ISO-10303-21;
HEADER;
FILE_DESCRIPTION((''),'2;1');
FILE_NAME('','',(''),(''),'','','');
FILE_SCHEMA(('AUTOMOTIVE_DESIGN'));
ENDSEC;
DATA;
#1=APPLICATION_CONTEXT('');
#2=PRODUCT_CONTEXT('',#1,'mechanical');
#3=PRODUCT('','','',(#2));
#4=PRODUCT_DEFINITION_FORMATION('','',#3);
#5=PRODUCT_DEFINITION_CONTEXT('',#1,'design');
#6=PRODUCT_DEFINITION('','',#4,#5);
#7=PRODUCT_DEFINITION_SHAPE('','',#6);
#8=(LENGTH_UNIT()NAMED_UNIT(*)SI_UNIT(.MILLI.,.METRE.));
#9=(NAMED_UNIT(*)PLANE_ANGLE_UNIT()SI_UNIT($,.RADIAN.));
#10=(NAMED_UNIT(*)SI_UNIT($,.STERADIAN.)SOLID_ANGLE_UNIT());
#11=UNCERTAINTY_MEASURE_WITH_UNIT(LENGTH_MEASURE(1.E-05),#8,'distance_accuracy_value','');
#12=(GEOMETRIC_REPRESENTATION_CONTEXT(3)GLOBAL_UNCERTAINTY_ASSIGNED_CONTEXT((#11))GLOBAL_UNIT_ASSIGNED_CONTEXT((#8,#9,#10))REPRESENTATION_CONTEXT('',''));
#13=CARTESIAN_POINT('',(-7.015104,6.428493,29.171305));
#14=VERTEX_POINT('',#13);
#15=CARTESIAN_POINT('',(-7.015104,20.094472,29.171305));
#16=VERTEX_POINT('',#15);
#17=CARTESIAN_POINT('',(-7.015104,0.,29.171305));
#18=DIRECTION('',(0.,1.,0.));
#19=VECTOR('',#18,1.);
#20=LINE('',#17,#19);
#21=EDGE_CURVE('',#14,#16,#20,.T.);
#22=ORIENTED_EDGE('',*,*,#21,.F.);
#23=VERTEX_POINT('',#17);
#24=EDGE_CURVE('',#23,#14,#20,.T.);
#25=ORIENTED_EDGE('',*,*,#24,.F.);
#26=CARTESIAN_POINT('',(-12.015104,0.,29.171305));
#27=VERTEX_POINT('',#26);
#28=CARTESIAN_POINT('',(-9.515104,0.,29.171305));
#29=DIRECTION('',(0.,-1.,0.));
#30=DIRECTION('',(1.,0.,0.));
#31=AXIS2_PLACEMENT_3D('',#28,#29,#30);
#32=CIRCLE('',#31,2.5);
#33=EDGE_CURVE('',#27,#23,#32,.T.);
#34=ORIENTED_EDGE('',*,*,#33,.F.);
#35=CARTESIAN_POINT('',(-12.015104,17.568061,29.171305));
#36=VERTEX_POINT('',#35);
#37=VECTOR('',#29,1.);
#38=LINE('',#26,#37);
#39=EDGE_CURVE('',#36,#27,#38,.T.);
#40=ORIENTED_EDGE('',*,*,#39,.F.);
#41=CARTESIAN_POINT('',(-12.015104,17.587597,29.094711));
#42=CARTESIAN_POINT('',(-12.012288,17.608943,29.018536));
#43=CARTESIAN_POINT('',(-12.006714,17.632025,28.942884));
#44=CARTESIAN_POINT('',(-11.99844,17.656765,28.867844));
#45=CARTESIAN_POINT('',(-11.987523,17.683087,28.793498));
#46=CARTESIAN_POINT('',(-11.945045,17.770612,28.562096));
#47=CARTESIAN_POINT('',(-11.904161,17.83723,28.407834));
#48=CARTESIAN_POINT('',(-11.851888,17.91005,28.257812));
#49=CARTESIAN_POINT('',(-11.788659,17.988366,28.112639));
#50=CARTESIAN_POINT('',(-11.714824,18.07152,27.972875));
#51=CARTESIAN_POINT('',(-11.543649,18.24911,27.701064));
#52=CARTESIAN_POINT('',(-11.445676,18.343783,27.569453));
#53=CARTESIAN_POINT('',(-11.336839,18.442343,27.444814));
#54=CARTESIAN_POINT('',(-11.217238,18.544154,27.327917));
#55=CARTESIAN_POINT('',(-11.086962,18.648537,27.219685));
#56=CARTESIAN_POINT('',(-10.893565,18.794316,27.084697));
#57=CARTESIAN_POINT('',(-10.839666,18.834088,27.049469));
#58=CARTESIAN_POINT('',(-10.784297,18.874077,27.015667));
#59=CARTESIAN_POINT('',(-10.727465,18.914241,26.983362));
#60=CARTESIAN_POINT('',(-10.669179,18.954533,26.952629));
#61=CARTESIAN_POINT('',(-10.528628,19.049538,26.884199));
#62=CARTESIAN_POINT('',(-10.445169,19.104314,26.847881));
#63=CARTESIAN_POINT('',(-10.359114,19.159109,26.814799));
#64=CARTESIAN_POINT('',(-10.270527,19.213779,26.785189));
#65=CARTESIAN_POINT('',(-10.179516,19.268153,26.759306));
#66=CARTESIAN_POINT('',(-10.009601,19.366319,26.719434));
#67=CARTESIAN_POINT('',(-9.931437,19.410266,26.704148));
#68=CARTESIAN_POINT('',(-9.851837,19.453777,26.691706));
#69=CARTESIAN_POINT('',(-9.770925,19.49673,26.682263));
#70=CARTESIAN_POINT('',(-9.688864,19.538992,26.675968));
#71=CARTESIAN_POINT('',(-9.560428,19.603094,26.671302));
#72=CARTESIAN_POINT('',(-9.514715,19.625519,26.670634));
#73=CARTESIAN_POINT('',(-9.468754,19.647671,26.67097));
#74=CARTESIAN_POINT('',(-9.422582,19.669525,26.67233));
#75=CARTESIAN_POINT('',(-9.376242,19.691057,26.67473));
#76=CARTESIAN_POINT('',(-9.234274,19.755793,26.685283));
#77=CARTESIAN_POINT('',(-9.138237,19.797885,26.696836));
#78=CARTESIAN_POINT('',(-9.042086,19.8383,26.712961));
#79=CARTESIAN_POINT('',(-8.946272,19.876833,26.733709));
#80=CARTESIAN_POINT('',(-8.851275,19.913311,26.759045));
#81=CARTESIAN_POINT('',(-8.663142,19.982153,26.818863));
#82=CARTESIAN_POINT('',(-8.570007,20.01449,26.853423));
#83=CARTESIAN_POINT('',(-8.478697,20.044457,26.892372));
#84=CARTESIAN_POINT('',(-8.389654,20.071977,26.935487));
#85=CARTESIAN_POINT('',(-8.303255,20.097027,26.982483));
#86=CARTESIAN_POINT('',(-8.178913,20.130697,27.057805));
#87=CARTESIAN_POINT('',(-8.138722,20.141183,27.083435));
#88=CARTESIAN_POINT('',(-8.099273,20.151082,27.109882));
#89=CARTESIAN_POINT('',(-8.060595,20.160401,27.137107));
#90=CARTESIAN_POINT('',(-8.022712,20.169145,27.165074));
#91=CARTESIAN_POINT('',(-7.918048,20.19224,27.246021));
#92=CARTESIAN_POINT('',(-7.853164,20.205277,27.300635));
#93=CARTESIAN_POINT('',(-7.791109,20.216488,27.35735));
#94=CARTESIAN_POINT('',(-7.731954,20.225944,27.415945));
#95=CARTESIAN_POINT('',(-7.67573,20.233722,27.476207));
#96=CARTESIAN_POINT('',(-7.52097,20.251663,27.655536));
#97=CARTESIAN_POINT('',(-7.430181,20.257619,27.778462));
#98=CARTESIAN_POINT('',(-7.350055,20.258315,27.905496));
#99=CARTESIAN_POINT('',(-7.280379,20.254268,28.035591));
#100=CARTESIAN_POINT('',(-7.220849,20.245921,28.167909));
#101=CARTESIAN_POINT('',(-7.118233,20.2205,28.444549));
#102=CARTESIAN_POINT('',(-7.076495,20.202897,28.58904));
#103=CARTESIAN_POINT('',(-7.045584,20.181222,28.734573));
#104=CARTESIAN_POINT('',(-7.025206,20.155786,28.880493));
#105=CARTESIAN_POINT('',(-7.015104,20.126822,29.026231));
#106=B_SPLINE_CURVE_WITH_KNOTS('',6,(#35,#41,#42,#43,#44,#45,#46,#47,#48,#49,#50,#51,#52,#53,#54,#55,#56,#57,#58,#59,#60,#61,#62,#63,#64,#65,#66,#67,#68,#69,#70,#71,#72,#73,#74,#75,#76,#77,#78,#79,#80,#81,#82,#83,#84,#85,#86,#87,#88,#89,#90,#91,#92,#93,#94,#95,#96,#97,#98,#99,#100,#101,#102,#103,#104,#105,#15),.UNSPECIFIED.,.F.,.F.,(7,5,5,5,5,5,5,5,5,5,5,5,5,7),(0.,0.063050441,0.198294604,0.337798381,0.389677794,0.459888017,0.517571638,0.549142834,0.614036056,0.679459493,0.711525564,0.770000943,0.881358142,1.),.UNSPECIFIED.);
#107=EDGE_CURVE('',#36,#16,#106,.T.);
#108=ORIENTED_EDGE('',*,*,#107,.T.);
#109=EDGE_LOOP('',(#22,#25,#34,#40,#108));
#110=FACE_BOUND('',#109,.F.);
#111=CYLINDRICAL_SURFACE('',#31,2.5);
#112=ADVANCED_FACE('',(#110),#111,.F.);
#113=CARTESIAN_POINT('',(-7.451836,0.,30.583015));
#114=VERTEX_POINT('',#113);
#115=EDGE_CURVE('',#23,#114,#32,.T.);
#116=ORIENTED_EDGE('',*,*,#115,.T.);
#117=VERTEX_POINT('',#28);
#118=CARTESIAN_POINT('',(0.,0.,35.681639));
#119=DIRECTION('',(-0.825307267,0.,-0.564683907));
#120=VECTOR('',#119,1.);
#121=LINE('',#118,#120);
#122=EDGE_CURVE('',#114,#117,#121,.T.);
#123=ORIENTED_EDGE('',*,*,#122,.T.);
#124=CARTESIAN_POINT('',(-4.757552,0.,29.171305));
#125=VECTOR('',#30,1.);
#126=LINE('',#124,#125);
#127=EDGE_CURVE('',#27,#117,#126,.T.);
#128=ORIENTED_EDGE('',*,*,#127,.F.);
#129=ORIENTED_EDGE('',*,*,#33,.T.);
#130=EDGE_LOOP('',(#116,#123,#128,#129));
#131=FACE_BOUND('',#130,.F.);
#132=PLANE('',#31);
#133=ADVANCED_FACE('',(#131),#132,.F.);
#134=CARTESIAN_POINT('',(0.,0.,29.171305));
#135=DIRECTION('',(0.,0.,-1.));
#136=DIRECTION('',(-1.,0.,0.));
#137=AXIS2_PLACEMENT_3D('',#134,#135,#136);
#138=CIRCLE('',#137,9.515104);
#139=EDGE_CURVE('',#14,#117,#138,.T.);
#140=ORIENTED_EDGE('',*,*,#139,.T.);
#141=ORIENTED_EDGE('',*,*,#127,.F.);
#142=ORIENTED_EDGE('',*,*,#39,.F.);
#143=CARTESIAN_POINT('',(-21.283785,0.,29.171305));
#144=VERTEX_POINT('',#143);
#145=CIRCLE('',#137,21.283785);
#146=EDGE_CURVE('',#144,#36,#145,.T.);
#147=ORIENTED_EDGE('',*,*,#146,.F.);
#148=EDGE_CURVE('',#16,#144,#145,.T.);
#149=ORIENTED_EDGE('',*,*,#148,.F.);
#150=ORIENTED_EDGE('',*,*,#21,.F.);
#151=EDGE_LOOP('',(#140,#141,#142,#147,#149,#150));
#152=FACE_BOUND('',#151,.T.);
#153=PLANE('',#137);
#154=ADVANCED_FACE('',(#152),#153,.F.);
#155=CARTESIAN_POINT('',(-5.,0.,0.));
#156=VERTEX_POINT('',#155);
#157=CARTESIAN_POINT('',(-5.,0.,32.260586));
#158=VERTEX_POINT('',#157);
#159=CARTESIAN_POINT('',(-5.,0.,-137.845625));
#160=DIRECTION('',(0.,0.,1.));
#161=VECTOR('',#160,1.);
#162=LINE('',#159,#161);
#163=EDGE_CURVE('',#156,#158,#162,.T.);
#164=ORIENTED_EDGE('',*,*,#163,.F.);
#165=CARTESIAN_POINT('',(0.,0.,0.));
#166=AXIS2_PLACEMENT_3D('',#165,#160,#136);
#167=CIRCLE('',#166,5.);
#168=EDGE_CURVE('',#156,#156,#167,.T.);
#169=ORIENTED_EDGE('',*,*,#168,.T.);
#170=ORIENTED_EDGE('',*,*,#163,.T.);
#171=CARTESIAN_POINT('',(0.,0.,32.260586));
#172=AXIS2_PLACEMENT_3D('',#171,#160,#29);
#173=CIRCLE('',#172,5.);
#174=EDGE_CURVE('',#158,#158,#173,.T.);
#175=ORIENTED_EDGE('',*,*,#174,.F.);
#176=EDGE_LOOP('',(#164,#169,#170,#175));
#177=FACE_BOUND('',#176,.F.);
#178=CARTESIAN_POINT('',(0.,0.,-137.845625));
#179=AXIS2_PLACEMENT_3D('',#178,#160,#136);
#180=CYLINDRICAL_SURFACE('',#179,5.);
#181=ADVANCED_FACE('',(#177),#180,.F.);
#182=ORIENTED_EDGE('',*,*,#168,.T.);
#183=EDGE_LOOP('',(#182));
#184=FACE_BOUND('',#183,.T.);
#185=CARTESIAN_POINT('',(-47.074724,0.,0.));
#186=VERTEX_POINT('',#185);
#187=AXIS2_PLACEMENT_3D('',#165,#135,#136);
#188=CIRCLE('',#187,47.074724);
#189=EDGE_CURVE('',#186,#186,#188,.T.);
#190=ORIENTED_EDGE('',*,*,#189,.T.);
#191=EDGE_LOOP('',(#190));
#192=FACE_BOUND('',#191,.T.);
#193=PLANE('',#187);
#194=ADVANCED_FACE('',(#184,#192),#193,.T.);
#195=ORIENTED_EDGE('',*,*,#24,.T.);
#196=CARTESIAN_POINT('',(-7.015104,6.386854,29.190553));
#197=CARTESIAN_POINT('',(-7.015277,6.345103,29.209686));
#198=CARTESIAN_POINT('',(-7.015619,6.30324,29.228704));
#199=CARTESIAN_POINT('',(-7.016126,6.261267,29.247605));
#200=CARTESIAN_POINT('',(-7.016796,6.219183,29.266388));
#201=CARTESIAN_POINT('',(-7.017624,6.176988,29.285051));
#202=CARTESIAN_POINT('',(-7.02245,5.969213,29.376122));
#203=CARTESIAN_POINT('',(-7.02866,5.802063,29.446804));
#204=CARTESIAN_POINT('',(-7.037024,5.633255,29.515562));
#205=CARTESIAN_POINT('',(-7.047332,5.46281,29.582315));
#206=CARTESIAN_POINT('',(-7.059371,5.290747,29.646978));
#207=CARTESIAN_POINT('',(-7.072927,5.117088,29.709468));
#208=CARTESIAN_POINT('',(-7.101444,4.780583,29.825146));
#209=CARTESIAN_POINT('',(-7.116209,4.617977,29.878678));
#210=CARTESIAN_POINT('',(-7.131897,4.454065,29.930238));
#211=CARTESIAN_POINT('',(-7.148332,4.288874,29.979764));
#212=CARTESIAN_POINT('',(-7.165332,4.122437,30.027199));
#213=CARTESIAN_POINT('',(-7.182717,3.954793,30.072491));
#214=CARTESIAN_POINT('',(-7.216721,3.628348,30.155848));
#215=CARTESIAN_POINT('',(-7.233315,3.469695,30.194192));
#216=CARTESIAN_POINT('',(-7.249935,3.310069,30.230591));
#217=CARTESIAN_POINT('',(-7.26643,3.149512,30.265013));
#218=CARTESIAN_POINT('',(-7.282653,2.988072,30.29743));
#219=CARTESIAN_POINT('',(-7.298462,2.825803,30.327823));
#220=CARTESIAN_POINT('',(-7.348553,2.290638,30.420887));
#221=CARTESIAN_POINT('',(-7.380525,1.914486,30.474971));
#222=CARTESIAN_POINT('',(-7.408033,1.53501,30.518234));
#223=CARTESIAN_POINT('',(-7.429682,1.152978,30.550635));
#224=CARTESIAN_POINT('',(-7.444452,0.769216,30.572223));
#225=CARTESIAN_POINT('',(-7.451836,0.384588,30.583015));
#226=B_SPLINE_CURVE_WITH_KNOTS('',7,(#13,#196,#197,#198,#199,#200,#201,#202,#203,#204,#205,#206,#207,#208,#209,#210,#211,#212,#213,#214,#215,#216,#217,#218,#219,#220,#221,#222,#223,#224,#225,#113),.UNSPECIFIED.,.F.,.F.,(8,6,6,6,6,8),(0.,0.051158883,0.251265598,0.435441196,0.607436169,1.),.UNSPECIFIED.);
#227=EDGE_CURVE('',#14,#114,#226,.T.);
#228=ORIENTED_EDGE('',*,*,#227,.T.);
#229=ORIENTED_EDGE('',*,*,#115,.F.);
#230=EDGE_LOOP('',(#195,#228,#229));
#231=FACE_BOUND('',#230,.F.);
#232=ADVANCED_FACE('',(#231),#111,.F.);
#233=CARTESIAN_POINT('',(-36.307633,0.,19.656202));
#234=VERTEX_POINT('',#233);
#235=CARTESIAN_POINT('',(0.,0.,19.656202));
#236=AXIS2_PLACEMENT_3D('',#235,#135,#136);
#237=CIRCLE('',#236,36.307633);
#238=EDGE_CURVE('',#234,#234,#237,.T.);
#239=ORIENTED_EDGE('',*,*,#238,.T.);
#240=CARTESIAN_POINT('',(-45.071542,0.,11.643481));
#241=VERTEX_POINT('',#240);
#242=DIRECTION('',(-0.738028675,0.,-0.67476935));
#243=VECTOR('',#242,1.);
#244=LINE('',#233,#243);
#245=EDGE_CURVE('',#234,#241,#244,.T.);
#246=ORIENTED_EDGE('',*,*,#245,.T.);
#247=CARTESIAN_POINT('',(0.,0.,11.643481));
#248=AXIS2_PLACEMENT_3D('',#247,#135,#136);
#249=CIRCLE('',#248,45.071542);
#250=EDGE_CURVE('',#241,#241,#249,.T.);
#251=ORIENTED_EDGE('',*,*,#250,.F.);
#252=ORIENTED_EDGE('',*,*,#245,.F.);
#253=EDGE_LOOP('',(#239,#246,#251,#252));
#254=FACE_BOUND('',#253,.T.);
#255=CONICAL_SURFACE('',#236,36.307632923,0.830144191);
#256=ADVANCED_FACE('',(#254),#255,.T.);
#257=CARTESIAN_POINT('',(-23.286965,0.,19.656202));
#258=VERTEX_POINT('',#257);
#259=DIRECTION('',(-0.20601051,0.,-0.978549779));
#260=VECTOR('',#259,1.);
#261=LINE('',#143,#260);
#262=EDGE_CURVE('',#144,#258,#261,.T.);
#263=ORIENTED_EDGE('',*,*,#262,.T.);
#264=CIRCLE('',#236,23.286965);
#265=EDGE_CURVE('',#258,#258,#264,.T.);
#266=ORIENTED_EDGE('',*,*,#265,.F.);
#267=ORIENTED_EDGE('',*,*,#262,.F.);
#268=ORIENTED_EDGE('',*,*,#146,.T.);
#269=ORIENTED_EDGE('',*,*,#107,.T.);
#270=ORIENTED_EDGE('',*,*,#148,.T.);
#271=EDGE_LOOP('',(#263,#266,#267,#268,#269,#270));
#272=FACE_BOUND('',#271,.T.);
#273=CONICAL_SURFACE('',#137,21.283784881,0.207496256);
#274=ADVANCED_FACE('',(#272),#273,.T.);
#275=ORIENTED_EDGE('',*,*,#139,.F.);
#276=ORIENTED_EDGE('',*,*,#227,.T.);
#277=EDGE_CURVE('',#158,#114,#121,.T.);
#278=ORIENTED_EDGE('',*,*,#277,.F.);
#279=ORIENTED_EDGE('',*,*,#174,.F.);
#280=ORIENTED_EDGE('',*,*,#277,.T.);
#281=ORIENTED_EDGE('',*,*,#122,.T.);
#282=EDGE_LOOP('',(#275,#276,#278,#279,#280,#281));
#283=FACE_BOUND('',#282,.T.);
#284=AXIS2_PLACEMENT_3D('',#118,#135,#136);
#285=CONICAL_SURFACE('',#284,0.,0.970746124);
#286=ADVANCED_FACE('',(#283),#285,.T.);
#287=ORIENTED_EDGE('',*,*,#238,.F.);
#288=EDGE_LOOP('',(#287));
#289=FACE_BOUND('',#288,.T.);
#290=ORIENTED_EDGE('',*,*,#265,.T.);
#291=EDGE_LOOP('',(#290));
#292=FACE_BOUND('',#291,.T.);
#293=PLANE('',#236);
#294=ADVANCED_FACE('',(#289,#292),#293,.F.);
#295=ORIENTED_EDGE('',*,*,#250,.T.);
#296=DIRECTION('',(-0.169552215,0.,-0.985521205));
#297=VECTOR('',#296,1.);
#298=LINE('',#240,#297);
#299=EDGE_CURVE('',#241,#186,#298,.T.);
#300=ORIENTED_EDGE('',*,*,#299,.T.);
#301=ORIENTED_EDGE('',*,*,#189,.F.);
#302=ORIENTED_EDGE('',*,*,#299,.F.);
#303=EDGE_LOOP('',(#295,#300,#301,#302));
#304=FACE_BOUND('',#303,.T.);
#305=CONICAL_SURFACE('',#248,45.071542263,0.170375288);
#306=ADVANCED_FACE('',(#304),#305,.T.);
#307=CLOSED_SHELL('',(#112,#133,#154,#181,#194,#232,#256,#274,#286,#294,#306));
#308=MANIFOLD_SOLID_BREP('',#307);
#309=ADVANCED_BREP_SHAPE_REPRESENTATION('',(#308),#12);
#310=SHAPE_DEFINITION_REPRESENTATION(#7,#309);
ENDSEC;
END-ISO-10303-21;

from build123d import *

# Parameters (mm, degrees)
F3_D     = 5
F3_DEPTH = 47.0757239888
F4_D     = 10


with BuildPart() as f1:
    # F0 (on Front) → F1 (revolve)
    with BuildSketch(Plane.XZ):
        Polygon((0, 0), (0, 35.6816388667), (-9.515103884, 29.1713047773), (-21.2837848812, 29.1713047773), (-23.2869647443, 19.6562018245), (-36.3076329231, 19.6562018245), (-45.071542263, 11.6434814408), (-47.0747239888, 0), align=None)
    revolve(axis=Axis((0, 0, 17.8408194333), (0, 0, -1)))

    # F3 (through all, one way)
    with BuildSketch(Plane.XZ):
        with Locations((0, 35.6816388667), (-9.515103884, 29.1713047773)):
            Circle(F3_D / 2)
    extrude(amount=-F3_DEPTH, mode=Mode.SUBTRACT)

    # F4 (through all)
    with Locations(Plane(origin=(0, 0, 0), x_dir=(1, 0, 0), z_dir=(0, 0, -1))):
        with Locations((0, 0)):
            Hole(F4_D / 2)


solid = f1.part
